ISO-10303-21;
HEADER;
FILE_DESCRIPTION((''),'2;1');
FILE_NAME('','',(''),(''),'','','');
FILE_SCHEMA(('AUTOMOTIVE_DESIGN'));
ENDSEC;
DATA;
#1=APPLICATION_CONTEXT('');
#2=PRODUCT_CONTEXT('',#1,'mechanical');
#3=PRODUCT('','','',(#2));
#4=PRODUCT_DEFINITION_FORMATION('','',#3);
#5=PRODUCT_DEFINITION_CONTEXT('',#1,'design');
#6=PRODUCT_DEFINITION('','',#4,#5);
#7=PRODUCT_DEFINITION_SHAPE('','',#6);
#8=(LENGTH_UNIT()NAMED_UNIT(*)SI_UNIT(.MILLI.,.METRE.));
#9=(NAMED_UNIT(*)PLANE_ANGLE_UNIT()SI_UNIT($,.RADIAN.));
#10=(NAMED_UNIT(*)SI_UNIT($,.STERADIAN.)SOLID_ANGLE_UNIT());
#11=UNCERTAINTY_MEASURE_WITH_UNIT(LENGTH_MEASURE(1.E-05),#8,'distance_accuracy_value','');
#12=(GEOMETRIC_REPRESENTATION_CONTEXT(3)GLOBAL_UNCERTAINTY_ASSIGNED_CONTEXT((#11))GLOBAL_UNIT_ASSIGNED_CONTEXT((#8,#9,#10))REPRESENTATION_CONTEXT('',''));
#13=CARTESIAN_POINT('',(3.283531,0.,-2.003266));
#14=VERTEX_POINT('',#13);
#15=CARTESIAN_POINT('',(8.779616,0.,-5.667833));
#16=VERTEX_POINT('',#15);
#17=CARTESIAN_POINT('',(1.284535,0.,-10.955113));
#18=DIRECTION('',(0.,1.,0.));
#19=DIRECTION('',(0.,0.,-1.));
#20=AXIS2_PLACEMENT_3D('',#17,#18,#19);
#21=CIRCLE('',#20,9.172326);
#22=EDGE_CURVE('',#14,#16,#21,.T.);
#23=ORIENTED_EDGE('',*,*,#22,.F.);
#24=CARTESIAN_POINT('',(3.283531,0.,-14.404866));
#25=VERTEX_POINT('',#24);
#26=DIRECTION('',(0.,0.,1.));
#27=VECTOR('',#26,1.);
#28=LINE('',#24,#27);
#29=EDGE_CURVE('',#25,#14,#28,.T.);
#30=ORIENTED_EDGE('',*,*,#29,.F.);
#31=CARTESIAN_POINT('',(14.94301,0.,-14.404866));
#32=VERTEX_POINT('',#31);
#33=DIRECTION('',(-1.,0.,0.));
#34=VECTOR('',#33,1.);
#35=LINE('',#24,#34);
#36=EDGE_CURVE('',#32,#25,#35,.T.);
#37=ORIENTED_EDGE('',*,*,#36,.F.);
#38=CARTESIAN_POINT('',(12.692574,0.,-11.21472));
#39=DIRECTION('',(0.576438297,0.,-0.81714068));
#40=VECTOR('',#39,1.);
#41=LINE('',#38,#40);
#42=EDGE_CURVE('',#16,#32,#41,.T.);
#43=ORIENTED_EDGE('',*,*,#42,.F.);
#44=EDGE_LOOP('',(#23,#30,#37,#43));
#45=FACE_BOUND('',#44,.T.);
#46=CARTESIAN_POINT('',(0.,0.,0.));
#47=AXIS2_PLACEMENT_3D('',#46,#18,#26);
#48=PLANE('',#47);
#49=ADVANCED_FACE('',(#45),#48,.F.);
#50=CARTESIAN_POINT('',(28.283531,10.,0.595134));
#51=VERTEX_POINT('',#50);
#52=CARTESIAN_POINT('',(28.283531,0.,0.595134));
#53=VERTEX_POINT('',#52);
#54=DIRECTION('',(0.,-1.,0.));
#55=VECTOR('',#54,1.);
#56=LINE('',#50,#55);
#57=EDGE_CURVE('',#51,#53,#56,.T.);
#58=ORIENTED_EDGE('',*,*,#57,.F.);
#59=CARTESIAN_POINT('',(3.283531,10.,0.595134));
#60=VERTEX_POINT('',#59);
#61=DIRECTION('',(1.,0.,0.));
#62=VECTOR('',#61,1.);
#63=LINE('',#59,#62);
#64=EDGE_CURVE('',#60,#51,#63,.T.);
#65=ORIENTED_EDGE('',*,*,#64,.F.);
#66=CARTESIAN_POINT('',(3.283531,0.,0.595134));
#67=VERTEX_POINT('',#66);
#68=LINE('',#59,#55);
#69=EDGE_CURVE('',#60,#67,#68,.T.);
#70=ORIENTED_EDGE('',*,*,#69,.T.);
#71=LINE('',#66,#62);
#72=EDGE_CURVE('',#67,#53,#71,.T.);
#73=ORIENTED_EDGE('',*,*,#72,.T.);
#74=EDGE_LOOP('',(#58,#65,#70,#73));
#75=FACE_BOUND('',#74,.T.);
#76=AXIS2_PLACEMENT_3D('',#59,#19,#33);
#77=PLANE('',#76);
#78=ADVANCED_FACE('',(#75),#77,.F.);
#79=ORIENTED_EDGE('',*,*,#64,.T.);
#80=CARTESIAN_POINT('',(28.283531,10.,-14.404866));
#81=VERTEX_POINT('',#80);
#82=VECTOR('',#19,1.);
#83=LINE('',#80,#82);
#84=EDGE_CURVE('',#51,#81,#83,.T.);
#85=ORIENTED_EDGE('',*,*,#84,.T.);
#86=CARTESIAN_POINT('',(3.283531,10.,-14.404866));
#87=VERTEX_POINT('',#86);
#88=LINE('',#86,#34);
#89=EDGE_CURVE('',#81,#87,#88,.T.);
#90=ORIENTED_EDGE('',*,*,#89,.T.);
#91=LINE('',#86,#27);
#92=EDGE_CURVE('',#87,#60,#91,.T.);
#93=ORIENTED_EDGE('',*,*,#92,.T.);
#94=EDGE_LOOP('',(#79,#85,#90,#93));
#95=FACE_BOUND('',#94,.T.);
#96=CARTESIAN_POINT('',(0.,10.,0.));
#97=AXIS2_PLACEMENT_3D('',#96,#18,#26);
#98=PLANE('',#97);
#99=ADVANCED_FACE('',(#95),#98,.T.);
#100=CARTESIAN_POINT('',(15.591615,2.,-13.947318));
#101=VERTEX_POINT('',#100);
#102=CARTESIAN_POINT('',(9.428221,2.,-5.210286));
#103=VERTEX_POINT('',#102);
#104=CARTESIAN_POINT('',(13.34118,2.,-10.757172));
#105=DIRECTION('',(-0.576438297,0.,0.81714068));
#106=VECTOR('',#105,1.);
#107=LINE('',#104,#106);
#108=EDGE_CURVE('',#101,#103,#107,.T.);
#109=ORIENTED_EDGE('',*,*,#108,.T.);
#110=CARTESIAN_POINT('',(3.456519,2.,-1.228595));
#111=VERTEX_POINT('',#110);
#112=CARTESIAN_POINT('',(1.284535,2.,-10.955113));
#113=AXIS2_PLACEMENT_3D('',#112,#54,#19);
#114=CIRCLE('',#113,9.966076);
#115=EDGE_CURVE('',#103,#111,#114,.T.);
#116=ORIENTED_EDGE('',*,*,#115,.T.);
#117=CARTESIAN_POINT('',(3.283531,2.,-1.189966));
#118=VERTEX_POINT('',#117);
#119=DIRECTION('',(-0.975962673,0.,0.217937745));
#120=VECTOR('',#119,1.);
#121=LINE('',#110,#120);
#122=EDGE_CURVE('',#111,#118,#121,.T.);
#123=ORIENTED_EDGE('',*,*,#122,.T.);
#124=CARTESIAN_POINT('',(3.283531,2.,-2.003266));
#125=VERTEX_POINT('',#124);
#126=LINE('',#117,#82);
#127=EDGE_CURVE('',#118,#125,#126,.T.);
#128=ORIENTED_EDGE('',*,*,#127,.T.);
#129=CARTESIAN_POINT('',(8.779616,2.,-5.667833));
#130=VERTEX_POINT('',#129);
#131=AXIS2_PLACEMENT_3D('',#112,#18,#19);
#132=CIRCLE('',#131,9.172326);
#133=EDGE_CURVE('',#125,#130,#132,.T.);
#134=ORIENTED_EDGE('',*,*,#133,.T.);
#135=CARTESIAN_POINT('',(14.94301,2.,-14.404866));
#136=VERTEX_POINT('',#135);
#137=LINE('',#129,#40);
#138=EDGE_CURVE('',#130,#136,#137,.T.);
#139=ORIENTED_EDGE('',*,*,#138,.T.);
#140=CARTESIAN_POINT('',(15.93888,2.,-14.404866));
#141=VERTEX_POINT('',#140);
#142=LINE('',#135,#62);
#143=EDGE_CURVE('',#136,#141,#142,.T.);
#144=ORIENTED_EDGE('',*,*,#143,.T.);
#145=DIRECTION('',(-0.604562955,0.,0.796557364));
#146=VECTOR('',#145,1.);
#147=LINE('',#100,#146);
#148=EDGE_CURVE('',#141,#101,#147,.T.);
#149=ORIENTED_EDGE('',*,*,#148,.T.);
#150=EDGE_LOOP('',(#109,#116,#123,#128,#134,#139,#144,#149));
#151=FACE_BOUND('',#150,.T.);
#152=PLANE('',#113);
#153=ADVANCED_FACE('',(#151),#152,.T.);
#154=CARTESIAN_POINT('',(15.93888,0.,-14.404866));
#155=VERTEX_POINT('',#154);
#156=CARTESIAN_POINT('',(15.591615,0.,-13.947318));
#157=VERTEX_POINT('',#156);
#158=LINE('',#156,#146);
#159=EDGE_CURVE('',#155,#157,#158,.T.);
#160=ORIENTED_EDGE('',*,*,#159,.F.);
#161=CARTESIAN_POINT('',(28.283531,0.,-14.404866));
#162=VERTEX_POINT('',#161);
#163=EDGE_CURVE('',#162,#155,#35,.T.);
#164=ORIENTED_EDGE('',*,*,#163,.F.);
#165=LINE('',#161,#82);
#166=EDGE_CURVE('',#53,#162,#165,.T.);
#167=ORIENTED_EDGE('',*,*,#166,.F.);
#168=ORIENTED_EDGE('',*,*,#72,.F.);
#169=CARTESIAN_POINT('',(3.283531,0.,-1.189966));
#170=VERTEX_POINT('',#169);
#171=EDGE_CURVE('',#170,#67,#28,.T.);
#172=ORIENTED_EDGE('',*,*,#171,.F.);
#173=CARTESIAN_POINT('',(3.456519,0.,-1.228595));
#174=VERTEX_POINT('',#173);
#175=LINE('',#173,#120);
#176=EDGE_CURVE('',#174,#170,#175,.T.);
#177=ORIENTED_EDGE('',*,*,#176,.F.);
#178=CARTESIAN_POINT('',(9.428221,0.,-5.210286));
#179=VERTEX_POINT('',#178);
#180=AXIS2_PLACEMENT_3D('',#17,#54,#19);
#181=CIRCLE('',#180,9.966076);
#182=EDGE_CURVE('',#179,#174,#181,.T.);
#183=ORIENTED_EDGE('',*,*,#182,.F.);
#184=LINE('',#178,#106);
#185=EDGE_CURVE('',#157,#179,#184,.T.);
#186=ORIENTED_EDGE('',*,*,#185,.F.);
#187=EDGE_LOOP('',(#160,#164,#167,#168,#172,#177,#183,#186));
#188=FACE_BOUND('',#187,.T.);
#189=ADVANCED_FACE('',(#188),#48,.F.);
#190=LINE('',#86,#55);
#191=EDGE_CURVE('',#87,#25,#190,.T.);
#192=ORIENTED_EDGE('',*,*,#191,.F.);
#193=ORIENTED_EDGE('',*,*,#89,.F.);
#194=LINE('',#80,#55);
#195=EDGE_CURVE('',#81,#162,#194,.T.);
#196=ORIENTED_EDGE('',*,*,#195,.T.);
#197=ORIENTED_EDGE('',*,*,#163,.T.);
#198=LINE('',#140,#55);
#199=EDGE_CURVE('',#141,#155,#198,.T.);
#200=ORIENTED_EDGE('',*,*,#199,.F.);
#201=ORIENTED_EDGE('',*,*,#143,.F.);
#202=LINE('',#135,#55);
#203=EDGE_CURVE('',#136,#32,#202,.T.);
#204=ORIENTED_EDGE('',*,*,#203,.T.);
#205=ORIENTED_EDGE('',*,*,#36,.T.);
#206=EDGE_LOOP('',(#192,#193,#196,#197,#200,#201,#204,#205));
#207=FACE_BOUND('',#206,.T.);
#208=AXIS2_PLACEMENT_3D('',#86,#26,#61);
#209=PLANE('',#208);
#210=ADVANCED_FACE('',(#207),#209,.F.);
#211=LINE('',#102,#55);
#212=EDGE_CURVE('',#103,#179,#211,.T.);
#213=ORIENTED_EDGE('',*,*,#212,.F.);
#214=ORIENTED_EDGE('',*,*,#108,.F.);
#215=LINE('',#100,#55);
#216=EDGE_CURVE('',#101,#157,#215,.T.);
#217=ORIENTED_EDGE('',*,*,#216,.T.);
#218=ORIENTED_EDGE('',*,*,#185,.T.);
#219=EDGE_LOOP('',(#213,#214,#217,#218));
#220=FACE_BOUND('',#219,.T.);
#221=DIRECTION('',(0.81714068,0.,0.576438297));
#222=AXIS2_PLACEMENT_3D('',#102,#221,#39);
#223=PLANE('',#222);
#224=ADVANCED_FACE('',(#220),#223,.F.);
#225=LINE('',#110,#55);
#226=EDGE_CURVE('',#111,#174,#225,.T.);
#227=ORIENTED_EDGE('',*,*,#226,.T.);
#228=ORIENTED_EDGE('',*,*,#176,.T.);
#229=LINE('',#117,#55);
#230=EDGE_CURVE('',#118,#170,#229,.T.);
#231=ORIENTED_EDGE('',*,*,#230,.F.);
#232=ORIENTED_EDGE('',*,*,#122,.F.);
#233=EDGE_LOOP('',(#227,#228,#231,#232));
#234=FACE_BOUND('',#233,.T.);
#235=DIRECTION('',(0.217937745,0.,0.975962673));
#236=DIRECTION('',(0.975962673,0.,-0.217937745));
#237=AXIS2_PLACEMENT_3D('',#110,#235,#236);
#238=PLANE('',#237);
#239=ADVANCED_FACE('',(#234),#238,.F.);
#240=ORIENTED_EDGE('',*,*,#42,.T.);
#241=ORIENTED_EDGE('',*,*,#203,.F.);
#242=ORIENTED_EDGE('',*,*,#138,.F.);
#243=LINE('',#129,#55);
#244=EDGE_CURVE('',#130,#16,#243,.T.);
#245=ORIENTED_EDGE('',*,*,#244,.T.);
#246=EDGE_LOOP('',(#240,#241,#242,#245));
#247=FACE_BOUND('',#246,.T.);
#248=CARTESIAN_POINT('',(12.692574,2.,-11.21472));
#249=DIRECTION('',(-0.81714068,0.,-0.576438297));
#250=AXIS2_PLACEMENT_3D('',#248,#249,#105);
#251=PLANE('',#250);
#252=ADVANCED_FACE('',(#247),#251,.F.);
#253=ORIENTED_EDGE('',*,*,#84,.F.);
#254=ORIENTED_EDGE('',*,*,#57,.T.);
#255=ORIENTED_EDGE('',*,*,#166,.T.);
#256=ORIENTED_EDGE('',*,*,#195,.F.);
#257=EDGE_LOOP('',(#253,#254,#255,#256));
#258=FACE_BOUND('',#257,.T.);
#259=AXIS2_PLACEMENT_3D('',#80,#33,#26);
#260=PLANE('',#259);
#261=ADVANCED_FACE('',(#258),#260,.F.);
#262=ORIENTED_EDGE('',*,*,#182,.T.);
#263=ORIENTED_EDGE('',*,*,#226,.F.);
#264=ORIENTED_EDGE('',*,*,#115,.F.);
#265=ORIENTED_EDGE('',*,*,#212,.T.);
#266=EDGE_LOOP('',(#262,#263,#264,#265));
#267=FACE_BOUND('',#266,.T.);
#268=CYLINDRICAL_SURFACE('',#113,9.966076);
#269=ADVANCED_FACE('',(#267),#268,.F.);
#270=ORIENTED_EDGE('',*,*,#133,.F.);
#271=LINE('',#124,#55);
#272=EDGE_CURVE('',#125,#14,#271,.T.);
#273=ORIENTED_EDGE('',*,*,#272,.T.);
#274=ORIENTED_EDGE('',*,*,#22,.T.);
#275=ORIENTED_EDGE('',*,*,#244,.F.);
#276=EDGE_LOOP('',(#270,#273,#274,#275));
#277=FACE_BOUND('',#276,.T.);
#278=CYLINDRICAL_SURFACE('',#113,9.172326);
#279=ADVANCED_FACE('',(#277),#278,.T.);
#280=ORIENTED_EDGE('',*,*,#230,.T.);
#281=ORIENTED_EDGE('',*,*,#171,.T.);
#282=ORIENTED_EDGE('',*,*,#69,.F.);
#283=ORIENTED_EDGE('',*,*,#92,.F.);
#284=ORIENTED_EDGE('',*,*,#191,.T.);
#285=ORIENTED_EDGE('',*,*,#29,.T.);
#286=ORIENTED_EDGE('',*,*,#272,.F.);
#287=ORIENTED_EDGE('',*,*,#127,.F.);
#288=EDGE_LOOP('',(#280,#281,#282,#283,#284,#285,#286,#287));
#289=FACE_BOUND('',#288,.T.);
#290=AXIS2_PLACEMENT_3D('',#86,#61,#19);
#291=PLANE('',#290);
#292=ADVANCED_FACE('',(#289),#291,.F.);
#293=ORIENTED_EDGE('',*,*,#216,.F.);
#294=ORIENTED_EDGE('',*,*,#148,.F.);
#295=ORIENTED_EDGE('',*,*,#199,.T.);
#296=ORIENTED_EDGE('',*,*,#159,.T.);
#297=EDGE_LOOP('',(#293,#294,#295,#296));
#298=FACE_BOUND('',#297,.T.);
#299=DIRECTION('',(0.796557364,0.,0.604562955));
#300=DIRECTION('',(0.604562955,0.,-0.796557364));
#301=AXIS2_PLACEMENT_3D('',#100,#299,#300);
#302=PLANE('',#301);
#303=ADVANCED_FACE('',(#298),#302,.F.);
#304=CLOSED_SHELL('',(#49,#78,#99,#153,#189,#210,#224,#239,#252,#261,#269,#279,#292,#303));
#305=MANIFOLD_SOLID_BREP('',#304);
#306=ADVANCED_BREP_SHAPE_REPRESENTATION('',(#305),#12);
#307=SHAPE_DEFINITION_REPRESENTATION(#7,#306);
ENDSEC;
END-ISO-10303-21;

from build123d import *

# Parameters (mm, degrees)
SKETCH3_W           = 25
SKETCH3_H           = 15
BOSS_EXTRUDE1_DEPTH = 10
CUT_EXTRUDE1_DEPTH  = 2


with BuildPart() as part:
    # Sketch3 → Boss-Extrude1 (new body)
    with BuildSketch(Plane(origin=(0, 0, 0), x_dir=(1, 0, 0), z_dir=(0, 1, 0))):
        with Locations((15.783531292, 6.904865991)):
            Rectangle(SKETCH3_W, SKETCH3_H)
    extrude(amount=BOSS_EXTRUDE1_DEPTH)

    # Sketch4 → Cut-Extrude1 (cut)
    with BuildSketch(Plane.XZ):
        with BuildLine():
            Line((9.428221161, -5.210285602), (13.341179834, -10.757171936))
            Line((13.341179834, -10.757171936), (15.591615362, -13.947318093))
            Line((15.591615362, -13.947318093), (15.938880382, -14.404865991))
            Line((15.938880382, -14.404865991), (14.943009948, -14.404865991))
            Line((14.943009948, -14.404865991), (12.69257442, -11.214719833))
            Line((12.69257442, -11.214719833), (8.779615747, -5.667833499))
            ThreePointArc((8.779615747, -5.667833499), (6.372917751, -3.323604758), (3.283531292, -2.003265808))
            Line((3.283531292, -2.003265808), (3.283531292, -1.189966261))
            Line((3.283531292, -1.189966261), (3.456519377, -1.228595436))
            ThreePointArc((3.456519377, -1.228595436), (6.813253572, -2.6631932), (9.428221161, -5.210285602))
        make_face()
    extrude(amount=-CUT_EXTRUDE1_DEPTH, mode=Mode.SUBTRACT)


solid = part.part
